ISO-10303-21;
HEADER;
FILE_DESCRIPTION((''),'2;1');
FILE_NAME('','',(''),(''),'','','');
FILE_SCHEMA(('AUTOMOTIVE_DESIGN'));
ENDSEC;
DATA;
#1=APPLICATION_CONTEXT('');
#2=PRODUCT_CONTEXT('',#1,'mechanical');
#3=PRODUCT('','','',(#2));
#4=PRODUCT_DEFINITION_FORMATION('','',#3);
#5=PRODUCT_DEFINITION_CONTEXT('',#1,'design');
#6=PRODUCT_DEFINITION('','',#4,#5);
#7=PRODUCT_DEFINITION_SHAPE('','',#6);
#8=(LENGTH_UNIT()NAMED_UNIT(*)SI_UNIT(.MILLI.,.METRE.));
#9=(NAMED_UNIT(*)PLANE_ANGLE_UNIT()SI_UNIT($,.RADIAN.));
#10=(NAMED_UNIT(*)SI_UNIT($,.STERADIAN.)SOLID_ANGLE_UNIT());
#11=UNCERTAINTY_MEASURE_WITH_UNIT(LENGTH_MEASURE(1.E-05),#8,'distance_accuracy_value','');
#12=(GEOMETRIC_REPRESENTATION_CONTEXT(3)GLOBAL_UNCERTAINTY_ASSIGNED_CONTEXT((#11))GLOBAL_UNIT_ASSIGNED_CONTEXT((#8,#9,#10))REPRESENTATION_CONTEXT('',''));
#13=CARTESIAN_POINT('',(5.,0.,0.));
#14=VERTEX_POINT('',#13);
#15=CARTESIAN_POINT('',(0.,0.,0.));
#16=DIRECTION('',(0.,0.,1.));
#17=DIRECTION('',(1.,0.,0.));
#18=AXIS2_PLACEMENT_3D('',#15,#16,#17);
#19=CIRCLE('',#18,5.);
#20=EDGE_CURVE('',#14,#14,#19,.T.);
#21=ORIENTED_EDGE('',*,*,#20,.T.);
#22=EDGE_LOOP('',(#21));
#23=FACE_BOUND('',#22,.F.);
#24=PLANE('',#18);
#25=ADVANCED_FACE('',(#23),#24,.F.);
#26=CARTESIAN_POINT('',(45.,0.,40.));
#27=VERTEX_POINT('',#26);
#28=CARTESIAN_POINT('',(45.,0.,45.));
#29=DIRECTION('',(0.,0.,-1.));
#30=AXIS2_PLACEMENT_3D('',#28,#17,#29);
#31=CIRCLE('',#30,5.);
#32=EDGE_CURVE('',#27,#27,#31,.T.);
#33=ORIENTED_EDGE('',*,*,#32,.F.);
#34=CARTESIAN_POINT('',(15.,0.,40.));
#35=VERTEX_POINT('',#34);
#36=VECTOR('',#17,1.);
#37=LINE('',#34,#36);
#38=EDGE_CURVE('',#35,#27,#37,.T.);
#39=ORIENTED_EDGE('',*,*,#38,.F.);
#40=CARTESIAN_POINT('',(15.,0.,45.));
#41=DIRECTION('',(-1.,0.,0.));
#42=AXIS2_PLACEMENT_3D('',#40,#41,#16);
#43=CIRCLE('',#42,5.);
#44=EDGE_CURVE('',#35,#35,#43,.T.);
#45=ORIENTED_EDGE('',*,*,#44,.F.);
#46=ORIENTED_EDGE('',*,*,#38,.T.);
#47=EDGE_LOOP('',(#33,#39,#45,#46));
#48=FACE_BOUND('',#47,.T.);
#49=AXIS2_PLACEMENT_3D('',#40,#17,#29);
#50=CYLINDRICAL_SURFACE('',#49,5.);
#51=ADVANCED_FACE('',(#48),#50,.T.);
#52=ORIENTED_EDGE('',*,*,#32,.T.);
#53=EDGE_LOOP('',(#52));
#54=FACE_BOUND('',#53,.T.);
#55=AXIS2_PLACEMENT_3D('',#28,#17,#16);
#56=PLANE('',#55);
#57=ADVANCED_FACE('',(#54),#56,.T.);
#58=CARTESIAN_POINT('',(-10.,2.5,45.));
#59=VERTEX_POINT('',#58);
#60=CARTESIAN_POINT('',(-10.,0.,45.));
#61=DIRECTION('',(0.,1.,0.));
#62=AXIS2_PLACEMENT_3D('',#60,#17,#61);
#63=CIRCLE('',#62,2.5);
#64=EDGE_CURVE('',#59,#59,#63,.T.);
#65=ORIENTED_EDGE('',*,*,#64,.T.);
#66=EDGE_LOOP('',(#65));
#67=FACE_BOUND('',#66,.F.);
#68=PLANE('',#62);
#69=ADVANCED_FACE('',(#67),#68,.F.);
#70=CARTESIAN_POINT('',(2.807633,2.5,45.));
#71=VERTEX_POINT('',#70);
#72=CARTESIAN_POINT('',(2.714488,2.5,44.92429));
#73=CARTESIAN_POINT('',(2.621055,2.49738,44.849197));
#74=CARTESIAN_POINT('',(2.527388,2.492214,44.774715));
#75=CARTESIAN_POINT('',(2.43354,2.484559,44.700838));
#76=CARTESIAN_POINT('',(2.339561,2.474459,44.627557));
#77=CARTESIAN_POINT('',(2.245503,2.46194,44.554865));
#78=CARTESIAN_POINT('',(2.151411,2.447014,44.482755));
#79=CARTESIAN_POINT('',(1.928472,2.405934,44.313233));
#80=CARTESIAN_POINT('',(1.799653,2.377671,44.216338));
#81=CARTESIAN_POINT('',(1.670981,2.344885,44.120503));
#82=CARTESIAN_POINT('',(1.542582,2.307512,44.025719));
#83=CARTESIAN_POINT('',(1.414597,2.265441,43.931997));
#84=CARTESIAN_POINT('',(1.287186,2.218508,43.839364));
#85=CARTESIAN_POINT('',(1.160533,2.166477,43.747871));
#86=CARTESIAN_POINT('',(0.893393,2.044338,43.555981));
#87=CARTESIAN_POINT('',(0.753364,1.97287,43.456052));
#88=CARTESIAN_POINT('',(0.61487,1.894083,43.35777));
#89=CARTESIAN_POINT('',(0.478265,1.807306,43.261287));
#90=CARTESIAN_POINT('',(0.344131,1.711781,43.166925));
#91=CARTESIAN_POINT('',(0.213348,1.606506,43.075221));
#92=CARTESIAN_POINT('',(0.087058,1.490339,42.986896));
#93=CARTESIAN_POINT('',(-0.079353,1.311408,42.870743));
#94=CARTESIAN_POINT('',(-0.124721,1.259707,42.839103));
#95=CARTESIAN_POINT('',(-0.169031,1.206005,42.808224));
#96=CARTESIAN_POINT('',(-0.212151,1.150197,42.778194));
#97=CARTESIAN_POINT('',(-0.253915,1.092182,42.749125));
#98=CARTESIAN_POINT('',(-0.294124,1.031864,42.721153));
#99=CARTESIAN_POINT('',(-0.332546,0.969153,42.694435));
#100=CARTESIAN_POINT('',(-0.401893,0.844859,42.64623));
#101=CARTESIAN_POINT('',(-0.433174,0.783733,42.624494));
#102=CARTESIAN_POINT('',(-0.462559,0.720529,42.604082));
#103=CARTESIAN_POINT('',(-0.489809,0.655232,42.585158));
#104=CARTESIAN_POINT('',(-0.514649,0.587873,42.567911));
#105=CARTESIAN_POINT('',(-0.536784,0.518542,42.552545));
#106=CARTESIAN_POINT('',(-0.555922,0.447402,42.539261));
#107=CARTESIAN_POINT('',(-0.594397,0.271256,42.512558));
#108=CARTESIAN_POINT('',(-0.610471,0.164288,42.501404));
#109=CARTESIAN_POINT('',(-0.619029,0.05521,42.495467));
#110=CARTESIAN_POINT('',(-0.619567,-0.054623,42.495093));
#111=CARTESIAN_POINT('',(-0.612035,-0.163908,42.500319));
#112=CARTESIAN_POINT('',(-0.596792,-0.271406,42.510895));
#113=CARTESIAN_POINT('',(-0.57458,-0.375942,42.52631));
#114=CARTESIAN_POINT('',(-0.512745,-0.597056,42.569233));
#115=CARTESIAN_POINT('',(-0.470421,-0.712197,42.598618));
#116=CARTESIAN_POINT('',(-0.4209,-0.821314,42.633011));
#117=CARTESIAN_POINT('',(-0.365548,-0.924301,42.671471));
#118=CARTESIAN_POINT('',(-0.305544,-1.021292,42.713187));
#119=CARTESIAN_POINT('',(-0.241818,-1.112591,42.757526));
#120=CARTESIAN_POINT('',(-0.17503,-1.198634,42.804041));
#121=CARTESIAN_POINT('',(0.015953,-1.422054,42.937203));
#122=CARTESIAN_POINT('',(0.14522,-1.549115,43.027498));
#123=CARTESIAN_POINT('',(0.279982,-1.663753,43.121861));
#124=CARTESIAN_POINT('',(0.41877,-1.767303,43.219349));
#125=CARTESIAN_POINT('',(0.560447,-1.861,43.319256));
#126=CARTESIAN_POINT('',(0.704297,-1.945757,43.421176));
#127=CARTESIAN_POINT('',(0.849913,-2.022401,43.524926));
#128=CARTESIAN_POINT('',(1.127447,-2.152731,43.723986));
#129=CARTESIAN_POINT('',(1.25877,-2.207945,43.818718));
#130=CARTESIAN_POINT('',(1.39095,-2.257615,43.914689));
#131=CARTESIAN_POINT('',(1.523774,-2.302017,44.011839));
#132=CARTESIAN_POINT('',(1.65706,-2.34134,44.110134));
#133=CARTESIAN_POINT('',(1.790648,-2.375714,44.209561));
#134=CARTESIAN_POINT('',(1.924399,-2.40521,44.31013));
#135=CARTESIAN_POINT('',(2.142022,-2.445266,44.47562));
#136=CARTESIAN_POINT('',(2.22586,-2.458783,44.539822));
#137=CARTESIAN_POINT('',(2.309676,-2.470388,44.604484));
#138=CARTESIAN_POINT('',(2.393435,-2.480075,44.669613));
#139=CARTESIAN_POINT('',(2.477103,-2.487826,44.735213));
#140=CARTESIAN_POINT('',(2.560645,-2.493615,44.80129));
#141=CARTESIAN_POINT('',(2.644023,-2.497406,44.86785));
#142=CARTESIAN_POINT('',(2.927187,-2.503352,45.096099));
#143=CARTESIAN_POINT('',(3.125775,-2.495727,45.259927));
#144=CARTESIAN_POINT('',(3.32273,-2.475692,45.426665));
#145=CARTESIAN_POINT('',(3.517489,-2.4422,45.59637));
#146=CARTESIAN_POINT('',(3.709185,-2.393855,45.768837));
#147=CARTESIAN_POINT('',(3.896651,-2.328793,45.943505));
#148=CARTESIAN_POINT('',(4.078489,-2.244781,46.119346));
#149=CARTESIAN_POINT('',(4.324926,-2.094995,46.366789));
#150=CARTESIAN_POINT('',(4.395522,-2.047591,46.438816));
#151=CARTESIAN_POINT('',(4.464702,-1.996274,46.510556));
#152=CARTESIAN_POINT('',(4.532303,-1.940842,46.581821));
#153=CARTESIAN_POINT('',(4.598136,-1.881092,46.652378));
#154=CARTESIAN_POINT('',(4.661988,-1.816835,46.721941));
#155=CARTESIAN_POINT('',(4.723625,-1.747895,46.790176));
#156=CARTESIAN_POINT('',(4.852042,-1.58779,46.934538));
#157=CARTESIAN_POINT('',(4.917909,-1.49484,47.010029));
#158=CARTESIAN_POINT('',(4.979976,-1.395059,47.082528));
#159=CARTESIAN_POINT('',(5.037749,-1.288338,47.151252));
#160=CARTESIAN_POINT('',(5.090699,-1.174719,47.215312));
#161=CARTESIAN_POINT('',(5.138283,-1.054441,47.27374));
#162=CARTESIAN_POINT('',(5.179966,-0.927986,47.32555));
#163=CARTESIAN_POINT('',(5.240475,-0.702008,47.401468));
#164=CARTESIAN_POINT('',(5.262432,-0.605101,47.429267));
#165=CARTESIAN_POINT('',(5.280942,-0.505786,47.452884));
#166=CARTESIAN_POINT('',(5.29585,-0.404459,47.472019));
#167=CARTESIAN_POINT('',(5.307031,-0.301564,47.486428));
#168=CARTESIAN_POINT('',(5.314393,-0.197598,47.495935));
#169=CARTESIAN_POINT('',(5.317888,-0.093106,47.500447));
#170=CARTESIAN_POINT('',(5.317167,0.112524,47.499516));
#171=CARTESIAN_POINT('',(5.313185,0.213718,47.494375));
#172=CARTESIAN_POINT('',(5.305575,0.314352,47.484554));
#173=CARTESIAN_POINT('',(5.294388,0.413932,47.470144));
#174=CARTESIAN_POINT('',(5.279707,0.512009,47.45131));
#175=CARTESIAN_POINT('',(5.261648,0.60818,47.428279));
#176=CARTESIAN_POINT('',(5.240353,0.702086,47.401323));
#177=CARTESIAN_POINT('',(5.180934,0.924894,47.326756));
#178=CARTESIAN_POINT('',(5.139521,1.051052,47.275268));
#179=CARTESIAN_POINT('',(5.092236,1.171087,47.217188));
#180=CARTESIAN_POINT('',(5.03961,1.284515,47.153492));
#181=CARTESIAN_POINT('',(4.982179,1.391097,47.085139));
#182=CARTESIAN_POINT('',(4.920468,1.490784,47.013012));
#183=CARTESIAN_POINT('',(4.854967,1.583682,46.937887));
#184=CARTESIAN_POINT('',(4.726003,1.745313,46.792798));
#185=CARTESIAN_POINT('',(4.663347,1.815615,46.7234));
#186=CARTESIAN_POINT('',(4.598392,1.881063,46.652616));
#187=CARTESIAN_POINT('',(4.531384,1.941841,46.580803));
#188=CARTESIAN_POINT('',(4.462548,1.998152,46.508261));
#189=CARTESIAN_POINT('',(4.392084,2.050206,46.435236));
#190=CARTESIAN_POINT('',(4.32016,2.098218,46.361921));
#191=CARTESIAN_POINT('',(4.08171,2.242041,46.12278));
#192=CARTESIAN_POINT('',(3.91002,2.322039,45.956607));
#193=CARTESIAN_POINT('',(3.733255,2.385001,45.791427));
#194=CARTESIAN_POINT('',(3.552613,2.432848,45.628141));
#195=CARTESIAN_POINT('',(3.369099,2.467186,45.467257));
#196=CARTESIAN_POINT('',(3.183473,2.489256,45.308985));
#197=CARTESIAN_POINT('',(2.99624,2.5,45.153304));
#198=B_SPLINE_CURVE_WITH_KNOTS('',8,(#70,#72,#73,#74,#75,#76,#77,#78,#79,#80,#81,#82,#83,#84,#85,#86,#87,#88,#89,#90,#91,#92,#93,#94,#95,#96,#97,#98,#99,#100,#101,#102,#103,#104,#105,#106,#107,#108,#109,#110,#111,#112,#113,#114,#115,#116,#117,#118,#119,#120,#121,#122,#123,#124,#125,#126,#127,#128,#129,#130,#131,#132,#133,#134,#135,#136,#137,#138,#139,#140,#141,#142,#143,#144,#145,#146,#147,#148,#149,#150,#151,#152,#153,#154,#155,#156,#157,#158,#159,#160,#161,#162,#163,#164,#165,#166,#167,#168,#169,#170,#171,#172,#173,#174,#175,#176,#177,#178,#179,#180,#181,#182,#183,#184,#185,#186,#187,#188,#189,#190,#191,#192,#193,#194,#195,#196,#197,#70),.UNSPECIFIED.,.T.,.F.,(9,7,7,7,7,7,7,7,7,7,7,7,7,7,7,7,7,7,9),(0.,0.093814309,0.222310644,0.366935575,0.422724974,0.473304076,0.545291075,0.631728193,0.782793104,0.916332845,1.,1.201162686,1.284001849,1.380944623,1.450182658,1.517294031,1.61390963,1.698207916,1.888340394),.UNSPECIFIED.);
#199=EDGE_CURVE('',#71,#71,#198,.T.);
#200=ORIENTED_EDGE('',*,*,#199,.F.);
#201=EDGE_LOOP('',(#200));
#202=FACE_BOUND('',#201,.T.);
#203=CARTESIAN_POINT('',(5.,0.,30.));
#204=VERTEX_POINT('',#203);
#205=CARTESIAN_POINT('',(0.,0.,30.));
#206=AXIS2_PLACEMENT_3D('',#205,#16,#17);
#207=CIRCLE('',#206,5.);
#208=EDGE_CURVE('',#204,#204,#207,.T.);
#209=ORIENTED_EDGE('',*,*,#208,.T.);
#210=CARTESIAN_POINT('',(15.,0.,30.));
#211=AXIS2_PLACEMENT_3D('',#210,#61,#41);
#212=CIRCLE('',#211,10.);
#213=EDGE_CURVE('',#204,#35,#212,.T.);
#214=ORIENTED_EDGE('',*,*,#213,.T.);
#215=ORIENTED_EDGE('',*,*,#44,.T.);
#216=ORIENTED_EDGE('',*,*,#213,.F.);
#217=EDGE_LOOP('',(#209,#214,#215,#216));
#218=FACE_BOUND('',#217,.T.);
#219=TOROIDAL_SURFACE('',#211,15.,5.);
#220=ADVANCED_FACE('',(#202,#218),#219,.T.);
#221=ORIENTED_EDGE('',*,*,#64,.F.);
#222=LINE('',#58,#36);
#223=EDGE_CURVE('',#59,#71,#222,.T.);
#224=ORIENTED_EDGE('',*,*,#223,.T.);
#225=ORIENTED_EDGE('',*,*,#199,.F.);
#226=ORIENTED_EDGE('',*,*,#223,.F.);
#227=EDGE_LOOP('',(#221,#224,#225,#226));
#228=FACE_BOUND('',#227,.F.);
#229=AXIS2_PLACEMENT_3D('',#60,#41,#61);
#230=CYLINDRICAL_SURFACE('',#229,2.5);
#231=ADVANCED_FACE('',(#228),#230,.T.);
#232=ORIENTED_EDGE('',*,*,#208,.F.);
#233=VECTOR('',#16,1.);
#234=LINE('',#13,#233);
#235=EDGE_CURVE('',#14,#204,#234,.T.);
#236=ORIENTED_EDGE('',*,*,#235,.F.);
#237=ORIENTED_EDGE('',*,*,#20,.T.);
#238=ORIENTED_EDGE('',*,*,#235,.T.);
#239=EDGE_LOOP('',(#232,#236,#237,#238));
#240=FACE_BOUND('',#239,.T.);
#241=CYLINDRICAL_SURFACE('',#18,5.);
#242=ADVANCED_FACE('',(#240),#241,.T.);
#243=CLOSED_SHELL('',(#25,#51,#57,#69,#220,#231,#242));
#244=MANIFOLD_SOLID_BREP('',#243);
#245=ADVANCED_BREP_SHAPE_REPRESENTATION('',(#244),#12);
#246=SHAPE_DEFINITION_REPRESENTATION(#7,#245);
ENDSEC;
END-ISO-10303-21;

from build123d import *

# Parameters (mm, degrees)
F1_R     = 5
F4_R     = 2.5
F5_DEPTH = 30


with BuildPart() as f2:
    # F2: sweep along a path in F0
    with BuildLine(Plane.XZ) as f2_path:
        Line((0, 0), (0, 30))
        ThreePointArc((0, 30), (4.3933982822, 40.6066017178), (15, 45))
        Line((15, 45), (45, 45))
    # F1 (on Top) → F2 (sweep)
    with BuildSketch(Plane.XY):
        Circle(F1_R)
    sweep(path=f2_path.line)

    # F4 (on offset) → F5 (join)
    with BuildSketch(Plane.YZ.offset(-10)):
        with Locations((0, 45)):
            Circle(F4_R)
    extrude(amount=F5_DEPTH)


solid = f2.part
